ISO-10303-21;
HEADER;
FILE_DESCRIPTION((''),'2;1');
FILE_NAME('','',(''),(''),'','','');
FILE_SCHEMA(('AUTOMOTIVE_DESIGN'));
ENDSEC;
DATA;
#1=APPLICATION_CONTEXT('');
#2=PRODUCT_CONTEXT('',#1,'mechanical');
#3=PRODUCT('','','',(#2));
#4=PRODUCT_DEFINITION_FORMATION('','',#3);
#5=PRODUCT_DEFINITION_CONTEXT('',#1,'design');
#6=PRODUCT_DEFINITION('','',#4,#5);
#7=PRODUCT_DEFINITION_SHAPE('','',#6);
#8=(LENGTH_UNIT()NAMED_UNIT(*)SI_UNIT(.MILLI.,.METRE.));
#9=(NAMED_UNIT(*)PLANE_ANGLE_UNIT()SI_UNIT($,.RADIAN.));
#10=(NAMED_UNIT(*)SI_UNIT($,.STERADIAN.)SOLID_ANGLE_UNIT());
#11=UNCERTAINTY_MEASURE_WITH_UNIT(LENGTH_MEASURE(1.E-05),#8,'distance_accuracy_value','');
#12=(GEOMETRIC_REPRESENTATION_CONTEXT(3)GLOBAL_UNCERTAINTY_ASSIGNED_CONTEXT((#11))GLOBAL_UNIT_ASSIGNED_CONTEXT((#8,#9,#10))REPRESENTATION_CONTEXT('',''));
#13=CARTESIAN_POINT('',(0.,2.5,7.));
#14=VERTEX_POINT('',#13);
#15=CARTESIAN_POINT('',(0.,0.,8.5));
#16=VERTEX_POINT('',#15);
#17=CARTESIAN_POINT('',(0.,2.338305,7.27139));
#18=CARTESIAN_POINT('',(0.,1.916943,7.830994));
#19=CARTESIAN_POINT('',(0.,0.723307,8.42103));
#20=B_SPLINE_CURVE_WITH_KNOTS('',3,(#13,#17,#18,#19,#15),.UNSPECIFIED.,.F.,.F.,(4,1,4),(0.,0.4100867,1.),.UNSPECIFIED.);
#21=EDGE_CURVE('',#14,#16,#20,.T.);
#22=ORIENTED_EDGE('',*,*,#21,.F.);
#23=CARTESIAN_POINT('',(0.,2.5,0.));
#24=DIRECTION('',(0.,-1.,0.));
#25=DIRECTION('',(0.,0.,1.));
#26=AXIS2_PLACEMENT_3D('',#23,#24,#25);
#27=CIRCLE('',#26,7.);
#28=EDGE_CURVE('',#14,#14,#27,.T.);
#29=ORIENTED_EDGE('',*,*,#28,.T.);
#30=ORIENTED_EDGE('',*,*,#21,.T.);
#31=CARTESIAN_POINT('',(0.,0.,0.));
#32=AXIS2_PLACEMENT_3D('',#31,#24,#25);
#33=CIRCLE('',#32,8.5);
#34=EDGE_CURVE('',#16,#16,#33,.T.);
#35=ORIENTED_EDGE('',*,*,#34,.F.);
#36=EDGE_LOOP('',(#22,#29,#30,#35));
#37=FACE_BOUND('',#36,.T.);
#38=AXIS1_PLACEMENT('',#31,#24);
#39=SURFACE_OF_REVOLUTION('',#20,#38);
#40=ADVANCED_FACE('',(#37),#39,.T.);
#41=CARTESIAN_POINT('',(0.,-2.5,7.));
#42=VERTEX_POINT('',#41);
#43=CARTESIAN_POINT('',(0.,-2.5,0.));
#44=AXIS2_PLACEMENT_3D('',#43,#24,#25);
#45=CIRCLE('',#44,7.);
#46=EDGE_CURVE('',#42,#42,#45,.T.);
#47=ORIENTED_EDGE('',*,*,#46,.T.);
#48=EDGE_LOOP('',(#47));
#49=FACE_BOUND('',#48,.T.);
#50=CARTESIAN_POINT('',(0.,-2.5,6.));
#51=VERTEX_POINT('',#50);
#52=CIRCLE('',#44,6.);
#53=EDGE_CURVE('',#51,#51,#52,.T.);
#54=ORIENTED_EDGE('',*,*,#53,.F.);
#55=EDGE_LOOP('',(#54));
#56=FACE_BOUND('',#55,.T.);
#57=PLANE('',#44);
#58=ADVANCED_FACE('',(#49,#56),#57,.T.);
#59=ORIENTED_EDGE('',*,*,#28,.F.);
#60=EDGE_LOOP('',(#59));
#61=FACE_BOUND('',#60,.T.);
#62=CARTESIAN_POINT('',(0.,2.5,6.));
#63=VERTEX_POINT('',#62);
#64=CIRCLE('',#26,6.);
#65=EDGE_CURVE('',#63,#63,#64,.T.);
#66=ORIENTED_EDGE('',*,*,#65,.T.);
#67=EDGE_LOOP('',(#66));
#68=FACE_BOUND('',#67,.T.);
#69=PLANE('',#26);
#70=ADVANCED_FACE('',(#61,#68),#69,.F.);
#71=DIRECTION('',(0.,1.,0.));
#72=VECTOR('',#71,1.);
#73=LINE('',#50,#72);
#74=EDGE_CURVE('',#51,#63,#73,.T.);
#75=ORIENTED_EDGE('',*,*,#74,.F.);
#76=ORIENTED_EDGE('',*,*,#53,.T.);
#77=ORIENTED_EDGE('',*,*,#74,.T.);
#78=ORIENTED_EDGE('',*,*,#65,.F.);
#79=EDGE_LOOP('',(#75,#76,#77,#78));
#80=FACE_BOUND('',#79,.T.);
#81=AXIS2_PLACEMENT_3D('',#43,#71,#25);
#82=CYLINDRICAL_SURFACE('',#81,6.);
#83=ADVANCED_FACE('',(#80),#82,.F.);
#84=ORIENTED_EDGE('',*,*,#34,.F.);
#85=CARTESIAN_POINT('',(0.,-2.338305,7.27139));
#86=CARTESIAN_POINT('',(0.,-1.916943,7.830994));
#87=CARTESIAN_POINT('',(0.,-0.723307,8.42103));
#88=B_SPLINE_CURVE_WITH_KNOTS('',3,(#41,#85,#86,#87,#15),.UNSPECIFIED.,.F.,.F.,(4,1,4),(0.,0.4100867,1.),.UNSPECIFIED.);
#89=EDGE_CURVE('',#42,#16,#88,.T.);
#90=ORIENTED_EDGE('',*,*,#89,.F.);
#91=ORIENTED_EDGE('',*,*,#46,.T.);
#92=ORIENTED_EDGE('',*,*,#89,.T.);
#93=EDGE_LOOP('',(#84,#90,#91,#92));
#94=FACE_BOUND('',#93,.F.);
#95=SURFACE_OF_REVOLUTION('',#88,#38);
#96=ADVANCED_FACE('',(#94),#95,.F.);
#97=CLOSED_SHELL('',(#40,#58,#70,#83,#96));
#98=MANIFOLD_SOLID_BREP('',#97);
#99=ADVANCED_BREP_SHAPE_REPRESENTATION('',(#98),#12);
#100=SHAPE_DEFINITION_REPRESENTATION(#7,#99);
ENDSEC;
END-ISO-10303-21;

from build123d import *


with BuildPart() as f2:
    # F1 (on Right) → F2 (revolve)
    with BuildSketch(Plane.YZ):
        with BuildLine():
            Line((-2.5, 6), (0, 6))
            Line((0, 6), (2.5, 6))
            Line((2.5, 6), (2.5, 7))
            add(Edge.make_bspline(
                [(2.5, 7), (2.3383054088, 7.2713902237), (1.9169431051, 7.830993888), (0.7233067445, 8.4210298003), (0, 8.5)],
                knots=[0, 0, 0, 0, 0.4100867003, 1, 1, 1, 1], degree=3))
            add(Edge.make_bspline(
                [(-2.5, 7), (-2.3383054088, 7.2713902237), (-1.9169431051, 7.830993888), (-0.7233067445, 8.4210298003), (0, 8.5)],
                knots=[0, 0, 0, 0, 0.4100867003, 1, 1, 1, 1], degree=3))
            Line((-2.5, 7), (-2.5, 6))
        make_face()
    revolve(axis=Axis((0, 0, 0), (0, -1, 0)))


solid = f2.part
